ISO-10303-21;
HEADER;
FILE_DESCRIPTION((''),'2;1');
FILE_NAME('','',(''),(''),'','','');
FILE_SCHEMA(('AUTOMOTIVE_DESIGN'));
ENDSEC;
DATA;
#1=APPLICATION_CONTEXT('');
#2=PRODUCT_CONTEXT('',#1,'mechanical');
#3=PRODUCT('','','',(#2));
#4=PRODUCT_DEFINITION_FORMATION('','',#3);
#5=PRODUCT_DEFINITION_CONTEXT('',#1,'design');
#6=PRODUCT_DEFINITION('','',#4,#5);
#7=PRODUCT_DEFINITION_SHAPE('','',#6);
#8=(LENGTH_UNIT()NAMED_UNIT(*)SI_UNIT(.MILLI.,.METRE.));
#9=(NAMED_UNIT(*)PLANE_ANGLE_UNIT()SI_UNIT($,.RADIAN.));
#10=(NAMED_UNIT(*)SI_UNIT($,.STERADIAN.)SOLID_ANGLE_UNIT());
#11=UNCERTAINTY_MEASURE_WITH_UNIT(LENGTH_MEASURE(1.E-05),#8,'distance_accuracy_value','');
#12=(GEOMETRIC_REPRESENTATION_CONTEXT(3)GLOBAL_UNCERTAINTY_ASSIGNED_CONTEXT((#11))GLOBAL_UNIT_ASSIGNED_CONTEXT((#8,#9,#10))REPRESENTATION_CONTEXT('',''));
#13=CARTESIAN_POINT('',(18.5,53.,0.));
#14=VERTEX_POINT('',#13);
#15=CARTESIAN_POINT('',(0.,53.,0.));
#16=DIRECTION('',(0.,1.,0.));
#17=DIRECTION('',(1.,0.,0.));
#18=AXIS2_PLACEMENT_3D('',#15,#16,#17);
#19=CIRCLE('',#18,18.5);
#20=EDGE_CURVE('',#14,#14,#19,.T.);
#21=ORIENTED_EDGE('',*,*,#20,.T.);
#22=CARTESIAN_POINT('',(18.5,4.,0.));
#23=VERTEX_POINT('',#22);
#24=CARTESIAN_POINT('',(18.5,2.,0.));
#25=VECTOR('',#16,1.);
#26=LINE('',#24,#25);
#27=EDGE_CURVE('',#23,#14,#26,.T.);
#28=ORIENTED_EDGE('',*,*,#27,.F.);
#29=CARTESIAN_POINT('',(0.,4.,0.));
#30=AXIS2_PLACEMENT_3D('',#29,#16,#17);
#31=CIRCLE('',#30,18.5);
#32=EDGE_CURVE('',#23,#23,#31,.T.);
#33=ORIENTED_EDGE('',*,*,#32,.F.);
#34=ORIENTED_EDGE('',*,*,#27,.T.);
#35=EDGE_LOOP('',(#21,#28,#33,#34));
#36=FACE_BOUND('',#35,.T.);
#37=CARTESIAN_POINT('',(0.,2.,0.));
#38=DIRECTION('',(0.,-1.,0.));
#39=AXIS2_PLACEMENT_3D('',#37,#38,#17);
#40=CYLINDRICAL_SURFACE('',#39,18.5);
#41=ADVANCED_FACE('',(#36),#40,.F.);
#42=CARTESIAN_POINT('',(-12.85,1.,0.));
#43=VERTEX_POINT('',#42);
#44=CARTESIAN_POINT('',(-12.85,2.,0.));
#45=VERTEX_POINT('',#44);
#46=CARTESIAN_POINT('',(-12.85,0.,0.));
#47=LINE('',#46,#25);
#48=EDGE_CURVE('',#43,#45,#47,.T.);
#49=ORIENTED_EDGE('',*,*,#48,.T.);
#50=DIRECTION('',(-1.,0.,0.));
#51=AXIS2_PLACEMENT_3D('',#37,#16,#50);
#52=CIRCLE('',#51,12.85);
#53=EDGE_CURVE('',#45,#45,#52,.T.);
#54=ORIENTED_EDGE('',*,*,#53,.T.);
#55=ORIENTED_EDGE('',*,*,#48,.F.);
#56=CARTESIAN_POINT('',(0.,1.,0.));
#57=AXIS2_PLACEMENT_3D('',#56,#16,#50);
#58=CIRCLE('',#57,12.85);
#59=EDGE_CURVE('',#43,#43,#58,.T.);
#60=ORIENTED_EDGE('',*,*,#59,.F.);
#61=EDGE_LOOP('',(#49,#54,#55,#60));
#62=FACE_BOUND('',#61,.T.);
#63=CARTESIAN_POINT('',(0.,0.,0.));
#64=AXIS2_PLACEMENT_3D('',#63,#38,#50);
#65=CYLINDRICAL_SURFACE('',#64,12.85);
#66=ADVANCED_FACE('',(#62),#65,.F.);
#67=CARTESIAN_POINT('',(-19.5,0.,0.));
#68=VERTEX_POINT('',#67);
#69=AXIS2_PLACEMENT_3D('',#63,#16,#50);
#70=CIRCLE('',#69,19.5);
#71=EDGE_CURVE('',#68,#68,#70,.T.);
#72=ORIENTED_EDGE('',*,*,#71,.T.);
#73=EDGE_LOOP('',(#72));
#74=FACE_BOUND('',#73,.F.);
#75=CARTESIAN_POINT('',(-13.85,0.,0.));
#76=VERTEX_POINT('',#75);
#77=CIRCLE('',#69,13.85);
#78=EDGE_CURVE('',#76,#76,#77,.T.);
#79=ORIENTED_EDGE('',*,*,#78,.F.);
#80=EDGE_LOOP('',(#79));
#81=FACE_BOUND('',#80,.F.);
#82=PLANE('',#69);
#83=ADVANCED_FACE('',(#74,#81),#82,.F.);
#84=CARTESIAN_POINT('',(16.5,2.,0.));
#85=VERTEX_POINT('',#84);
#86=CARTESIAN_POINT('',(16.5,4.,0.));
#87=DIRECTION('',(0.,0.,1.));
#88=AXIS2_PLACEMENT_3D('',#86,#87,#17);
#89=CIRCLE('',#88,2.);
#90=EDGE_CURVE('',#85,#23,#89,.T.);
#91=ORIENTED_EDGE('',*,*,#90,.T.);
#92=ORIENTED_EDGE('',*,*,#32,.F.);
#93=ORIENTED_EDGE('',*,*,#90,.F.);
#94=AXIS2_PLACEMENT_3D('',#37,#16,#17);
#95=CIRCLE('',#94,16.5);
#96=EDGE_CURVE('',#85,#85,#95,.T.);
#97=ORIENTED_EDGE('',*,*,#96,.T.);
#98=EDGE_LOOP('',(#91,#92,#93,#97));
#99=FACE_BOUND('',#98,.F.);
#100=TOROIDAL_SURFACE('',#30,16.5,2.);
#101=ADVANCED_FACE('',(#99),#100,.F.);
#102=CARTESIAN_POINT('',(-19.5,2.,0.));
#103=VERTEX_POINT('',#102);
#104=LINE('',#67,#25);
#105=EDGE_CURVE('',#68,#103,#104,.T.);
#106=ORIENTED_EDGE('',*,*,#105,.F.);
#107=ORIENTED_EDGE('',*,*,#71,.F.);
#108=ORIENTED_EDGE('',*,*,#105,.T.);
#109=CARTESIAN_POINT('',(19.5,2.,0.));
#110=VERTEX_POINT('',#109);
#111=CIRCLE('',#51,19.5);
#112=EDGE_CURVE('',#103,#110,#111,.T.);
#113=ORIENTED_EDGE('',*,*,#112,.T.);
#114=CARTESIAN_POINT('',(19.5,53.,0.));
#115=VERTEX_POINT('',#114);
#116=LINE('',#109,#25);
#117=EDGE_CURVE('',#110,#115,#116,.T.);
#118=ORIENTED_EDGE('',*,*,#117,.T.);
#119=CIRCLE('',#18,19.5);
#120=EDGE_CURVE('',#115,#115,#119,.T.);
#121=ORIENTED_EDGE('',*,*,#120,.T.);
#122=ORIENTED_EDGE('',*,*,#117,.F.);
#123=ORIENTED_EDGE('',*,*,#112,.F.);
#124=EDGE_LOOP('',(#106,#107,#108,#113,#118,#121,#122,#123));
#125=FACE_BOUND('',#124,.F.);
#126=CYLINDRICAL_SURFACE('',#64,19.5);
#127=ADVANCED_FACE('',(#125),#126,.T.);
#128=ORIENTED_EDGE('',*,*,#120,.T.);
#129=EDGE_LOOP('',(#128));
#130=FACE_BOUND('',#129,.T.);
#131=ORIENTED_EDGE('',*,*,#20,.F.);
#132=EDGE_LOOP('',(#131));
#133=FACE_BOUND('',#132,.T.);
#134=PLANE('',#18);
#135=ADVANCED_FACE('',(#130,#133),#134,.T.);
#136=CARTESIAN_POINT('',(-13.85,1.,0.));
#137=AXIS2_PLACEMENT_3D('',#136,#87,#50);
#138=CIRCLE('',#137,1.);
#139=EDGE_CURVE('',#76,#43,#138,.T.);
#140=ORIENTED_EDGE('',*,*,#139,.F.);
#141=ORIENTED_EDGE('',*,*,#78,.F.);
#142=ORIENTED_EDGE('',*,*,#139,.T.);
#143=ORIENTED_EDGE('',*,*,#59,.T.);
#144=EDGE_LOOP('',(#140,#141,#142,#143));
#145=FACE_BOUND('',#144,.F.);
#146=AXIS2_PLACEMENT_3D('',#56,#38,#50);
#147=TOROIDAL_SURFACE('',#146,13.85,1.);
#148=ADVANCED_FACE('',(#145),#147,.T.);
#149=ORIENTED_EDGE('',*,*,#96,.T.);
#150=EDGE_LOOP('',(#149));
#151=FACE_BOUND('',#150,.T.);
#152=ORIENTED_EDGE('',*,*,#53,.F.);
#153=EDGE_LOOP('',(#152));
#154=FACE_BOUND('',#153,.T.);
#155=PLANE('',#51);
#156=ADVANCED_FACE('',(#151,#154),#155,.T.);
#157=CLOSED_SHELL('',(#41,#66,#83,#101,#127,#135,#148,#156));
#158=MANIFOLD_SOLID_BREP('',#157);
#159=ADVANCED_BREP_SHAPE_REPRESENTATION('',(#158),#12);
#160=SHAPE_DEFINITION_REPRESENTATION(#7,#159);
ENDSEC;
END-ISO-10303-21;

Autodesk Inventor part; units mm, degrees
ref_plane "YZ Plane" through (0, 0, 0) normal (1, 0, 0) x (0, 1, 0)
ref_plane "XZ Plane" through (0, 0, 0) normal (0, 1, 0) x (-1, 0, 0)
ref_plane "Work Plane1" through (-16.584, 2, -16.584) normal (0, 1, 0) x (0.3814, 0, 0.9244)
sketch "Sketch1" plane through (0, 0, 0) normal (0, 1, 0) x (-1, 0, 0)
  circle A0 centre (0, 0) radius 22.5
  circle A1 centre (0, 0) radius 19.5
  circle A2 centre (0, 0) radius 12.7 projected
  circle A3 centre (0, 0) radius 6 projected
  circle A4 centre (8.8049, 3.6331) radius 1.63 projected
  circle A5 centre (7.5488, -5.8087) radius 1.63 projected
  circle A6 centre (-1.2561, -9.4418) radius 1.63 projected
  circle A7 centre (-8.8049, -3.6331) radius 1.63 projected
  circle A8 centre (-7.5488, 5.8087) radius 1.63 projected
  circle A9 centre (1.2561, 9.4418) radius 1.63 projected
  circle A10 centre (0, 0) radius 12.85
  dimension "d0" = 45
  dimension "d1" = 3
  dimension "d4" = 0.15
extrude "Extrusion1" add sketch "Sketch1" along normal blind 2 contours A1
sketch "Sketch4" plane through (0, 2, 0) normal (0, 1, 0) x (1, 0, 0)
  circle A0 centre (0, 0) radius 22.5
  circle A1 centre (0, 0) radius 19.5
  circle A2 centre (0, 0) radius 18.5
  dimension "d13" = 45
  dimension "d14" = 3
  dimension "d15" = 1
extrude "Extrusion4" add sketch "Sketch4" along normal blind 51 contours A1
fillet "Fillet2" radius 1 1 edges at (12.85, 0, 0)
fillet "Fillet3" radius 2 1 edges at (-18.5, 2, 0)
properties part number "tulejka"
